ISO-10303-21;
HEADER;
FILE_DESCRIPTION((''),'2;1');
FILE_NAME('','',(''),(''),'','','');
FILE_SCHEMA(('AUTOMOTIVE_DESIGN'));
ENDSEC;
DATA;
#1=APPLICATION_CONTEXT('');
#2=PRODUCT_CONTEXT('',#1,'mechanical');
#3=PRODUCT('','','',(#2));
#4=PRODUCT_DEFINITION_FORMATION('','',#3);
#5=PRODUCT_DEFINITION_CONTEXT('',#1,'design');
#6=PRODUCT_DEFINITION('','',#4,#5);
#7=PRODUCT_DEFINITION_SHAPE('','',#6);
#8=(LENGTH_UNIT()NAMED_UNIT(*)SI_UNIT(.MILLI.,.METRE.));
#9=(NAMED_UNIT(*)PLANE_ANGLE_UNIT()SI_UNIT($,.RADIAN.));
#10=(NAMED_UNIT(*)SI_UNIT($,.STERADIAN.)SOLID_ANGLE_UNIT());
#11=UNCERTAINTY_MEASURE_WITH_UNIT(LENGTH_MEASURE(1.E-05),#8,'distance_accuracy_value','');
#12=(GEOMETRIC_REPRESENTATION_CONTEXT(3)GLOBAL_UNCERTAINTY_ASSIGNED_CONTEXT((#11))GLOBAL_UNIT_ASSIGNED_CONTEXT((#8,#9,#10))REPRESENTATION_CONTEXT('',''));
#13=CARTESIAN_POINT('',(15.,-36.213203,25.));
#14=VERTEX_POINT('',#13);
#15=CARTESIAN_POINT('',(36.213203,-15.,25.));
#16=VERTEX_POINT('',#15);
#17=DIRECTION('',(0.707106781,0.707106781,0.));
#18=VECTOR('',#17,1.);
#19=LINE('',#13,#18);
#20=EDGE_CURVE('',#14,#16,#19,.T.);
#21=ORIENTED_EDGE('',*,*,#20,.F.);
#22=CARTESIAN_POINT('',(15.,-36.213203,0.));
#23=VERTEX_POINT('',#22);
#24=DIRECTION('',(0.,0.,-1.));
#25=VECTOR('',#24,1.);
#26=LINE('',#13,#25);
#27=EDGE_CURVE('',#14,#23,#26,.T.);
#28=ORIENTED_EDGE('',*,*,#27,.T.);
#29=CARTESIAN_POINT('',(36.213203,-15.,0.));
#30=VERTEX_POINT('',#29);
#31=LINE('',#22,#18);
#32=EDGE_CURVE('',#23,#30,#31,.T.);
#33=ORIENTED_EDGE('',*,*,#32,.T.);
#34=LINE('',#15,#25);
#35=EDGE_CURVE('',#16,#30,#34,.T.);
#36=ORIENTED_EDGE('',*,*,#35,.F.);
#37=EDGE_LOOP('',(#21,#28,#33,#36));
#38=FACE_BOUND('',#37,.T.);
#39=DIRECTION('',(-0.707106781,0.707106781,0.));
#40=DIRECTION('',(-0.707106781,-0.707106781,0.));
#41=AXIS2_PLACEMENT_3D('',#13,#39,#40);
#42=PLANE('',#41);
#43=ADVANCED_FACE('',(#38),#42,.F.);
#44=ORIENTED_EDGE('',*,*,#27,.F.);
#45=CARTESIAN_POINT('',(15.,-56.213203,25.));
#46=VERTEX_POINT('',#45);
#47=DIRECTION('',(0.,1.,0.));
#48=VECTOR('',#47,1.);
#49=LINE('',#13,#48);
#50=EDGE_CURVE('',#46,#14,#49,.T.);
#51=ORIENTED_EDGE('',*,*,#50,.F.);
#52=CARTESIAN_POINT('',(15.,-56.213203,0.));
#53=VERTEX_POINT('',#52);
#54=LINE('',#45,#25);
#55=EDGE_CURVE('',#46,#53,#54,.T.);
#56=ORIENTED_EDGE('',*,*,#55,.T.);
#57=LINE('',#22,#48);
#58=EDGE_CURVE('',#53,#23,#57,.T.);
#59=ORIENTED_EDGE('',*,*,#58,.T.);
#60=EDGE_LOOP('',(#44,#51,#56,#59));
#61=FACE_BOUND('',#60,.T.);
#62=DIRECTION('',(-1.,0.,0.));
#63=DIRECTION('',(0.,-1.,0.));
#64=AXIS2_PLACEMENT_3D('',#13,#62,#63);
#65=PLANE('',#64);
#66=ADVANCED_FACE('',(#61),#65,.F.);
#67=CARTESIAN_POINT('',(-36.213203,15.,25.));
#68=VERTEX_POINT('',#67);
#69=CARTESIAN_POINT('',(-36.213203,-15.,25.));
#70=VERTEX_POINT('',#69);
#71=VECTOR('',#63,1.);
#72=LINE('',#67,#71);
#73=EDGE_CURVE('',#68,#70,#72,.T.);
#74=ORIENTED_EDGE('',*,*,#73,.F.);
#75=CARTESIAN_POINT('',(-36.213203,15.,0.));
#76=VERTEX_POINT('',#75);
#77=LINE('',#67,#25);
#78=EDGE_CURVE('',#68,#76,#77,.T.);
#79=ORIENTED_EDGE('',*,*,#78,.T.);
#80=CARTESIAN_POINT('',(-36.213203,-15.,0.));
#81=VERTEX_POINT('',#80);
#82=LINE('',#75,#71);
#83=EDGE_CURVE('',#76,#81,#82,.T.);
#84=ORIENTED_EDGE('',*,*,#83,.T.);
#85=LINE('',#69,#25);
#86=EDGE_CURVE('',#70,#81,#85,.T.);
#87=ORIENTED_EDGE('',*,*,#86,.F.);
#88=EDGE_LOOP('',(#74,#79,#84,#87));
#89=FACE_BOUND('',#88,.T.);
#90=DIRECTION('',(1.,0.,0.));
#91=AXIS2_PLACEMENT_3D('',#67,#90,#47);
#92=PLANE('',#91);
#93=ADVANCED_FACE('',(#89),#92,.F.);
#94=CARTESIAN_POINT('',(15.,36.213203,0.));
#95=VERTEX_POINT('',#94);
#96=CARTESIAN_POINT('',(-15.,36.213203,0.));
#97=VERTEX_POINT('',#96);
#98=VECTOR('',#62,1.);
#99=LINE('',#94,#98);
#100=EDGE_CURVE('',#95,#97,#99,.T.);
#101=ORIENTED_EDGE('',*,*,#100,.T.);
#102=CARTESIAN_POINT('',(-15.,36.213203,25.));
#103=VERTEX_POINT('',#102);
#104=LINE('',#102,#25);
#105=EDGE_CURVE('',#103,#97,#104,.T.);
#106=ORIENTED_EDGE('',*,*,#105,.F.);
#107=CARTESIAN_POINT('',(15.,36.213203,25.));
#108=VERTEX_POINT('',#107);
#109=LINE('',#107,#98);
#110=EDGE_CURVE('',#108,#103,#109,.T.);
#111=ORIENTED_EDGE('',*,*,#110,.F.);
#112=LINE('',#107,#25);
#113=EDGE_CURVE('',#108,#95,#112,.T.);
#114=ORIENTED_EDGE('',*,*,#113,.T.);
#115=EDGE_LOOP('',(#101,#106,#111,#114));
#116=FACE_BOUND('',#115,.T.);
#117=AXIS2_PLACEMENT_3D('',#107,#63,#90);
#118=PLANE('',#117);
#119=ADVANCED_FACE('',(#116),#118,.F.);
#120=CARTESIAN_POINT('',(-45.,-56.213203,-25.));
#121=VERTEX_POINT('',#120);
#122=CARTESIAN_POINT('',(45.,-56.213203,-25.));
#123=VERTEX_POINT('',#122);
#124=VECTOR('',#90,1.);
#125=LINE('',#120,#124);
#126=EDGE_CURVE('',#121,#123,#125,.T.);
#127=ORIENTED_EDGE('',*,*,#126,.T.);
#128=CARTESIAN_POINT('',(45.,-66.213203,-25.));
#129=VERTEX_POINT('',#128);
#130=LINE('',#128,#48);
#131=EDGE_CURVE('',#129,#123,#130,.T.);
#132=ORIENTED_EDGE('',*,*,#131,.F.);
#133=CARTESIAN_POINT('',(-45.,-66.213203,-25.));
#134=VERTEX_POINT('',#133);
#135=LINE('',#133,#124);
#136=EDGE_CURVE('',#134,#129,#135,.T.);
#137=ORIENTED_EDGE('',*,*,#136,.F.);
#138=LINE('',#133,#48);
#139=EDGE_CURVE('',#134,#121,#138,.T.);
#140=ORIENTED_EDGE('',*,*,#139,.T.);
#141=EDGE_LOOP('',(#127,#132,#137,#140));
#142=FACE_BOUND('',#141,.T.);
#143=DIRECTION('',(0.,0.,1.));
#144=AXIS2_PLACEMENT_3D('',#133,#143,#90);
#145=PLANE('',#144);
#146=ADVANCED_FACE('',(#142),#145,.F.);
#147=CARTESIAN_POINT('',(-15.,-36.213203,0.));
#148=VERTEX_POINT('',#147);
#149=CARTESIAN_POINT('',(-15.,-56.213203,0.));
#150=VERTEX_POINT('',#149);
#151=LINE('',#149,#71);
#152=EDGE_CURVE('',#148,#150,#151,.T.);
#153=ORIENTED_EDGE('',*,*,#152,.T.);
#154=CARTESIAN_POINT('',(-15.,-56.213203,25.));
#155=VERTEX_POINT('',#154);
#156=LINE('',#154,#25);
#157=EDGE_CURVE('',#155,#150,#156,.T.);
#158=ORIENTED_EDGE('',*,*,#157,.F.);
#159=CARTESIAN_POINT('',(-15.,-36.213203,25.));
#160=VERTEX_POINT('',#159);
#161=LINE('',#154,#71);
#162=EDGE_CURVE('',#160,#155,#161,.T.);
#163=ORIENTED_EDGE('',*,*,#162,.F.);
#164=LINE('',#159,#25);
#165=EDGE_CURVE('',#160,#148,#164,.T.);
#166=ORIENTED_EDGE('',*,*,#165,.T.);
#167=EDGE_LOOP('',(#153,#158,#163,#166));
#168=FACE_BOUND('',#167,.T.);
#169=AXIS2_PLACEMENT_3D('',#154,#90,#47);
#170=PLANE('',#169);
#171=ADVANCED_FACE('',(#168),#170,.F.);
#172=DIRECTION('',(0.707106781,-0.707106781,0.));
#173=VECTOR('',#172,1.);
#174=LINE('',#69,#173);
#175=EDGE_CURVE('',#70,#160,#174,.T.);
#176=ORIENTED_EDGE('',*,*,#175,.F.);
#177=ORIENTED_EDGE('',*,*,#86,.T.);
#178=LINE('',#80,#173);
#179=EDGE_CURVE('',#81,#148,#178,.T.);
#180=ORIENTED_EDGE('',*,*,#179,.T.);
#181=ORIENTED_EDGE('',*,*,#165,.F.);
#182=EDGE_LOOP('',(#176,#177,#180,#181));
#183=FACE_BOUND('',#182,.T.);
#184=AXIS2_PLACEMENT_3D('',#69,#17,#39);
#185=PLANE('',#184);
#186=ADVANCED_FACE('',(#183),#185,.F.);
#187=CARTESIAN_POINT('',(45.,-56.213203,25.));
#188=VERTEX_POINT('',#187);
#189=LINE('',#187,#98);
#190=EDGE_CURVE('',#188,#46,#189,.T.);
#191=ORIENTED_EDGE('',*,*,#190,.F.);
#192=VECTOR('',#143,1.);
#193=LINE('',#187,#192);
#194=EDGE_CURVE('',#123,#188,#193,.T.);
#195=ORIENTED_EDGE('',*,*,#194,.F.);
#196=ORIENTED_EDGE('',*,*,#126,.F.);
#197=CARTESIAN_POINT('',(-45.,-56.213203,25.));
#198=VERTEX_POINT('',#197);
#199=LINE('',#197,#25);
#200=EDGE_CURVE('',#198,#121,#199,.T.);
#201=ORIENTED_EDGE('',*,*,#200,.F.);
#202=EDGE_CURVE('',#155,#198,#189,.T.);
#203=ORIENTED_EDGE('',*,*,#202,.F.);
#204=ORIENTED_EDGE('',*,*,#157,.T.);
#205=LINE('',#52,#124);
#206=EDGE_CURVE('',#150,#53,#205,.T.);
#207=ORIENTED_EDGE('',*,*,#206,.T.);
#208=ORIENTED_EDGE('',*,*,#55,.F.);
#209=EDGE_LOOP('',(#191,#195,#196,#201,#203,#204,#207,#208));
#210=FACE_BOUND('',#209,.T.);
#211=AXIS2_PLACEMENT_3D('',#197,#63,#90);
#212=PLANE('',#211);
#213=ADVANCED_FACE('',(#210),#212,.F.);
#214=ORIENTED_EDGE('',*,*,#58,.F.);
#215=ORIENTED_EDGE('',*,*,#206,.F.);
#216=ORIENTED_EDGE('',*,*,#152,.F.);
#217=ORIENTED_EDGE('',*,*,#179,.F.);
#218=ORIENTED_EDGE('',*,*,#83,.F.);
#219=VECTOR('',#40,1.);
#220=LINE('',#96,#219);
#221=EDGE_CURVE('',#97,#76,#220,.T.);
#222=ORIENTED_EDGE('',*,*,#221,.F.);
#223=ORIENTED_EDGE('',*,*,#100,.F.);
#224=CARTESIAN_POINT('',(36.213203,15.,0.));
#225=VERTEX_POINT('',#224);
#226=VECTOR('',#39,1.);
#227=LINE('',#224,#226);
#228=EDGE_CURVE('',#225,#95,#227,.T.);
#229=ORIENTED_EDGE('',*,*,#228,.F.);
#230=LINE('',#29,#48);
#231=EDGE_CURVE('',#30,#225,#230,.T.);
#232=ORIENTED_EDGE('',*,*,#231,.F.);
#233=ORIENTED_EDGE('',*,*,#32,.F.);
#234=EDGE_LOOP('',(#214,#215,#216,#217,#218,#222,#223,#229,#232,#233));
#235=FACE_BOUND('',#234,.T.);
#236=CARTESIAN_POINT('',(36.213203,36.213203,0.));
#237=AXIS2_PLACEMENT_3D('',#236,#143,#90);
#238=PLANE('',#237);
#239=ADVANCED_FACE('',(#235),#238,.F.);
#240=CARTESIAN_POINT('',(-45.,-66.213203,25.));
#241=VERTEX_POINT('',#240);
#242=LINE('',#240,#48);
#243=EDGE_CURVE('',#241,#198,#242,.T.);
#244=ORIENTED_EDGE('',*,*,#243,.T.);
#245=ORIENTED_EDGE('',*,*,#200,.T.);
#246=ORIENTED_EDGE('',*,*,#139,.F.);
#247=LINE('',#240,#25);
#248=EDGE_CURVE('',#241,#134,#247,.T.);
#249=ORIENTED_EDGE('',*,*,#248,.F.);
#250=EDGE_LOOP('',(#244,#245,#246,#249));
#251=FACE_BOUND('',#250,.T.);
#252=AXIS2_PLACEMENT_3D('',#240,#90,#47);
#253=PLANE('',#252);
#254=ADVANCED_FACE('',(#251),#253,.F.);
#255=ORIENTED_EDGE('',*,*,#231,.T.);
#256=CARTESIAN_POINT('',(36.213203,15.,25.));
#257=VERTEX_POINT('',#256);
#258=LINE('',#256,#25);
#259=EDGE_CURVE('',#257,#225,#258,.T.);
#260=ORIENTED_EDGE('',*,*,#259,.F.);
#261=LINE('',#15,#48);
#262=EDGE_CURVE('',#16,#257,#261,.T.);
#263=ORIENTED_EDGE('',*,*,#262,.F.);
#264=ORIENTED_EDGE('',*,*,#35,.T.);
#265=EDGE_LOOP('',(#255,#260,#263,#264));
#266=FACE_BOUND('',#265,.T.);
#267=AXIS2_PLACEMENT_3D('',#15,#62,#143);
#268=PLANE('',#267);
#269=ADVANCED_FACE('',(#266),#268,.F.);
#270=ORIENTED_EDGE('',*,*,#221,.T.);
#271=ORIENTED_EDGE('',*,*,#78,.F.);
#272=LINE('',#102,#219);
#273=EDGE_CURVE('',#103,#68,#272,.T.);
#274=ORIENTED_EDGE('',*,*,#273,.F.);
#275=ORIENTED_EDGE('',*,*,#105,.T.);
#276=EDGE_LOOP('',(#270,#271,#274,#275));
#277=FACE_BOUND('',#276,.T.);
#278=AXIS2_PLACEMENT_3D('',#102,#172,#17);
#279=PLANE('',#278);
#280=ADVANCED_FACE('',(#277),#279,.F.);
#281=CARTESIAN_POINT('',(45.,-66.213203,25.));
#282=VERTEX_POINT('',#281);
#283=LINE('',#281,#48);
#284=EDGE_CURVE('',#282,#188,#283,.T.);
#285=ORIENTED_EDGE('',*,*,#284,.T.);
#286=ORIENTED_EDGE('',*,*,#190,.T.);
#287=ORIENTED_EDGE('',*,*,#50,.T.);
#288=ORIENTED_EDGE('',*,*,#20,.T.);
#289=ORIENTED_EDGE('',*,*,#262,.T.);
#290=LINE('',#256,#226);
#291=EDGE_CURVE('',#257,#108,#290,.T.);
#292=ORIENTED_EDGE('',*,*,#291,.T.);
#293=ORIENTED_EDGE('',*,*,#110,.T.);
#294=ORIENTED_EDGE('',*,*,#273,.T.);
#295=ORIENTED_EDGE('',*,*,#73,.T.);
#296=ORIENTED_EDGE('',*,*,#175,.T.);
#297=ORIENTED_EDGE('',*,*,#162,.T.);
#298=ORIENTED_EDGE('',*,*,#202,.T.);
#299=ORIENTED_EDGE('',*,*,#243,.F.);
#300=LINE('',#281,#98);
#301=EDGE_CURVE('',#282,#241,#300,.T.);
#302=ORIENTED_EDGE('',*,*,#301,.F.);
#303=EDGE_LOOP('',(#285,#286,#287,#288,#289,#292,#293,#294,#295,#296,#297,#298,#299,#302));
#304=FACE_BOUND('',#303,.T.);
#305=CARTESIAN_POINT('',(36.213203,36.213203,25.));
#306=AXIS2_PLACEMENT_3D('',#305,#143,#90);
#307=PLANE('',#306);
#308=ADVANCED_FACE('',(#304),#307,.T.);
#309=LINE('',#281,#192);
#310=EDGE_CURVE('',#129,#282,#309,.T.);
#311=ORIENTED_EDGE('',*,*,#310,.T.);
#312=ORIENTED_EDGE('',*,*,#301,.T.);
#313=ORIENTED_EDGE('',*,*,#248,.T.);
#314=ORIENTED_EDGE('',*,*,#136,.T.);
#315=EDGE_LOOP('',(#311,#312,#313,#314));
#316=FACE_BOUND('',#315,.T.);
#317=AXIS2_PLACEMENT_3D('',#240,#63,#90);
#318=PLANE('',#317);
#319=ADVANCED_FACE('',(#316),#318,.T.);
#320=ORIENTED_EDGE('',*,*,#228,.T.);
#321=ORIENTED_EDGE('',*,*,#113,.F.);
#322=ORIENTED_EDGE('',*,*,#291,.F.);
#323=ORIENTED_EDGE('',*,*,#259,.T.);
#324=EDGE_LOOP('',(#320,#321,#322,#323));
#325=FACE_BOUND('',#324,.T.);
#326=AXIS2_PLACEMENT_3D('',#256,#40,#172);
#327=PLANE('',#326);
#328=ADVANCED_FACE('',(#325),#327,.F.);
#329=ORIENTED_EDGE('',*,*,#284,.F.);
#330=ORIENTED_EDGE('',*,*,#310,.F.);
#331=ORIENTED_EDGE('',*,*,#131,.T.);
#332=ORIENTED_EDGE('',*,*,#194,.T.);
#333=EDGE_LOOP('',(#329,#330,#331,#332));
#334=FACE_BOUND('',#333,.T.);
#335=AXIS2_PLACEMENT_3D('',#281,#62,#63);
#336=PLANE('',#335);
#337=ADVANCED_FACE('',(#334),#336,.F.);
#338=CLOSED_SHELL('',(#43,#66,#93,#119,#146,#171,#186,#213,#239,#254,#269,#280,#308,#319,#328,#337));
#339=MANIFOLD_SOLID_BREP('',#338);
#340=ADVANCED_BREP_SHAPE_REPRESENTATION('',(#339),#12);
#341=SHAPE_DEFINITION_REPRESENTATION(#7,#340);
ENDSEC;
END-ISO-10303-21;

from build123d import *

# Parameters (mm, degrees)
EXTRUDE1_DEPTH = 25
SKETCH3_W      = 90
SKETCH3_H      = 50
EXTRUDE2_DEPTH = 10


with BuildPart() as part:
    # Sketch2 → Extrude1 (new body)
    with BuildSketch(Plane.XY):
        Polygon((15, -36.213203436), (15, -56.213203436), (-15, -56.213203436), (-15, -36.213203436), (-36.213203436, -15), (-36.213203436, 15), (-15, 36.213203436), (15, 36.213203436), (36.213203436, 15), (36.213203436, -15), align=None)
    extrude(amount=EXTRUDE1_DEPTH)

    # Sketch3 → Extrude2 (add)
    with BuildSketch(Plane.XZ.offset(56.213203436)):
        Rectangle(SKETCH3_W, SKETCH3_H)
    extrude(amount=EXTRUDE2_DEPTH)


solid = part.part
